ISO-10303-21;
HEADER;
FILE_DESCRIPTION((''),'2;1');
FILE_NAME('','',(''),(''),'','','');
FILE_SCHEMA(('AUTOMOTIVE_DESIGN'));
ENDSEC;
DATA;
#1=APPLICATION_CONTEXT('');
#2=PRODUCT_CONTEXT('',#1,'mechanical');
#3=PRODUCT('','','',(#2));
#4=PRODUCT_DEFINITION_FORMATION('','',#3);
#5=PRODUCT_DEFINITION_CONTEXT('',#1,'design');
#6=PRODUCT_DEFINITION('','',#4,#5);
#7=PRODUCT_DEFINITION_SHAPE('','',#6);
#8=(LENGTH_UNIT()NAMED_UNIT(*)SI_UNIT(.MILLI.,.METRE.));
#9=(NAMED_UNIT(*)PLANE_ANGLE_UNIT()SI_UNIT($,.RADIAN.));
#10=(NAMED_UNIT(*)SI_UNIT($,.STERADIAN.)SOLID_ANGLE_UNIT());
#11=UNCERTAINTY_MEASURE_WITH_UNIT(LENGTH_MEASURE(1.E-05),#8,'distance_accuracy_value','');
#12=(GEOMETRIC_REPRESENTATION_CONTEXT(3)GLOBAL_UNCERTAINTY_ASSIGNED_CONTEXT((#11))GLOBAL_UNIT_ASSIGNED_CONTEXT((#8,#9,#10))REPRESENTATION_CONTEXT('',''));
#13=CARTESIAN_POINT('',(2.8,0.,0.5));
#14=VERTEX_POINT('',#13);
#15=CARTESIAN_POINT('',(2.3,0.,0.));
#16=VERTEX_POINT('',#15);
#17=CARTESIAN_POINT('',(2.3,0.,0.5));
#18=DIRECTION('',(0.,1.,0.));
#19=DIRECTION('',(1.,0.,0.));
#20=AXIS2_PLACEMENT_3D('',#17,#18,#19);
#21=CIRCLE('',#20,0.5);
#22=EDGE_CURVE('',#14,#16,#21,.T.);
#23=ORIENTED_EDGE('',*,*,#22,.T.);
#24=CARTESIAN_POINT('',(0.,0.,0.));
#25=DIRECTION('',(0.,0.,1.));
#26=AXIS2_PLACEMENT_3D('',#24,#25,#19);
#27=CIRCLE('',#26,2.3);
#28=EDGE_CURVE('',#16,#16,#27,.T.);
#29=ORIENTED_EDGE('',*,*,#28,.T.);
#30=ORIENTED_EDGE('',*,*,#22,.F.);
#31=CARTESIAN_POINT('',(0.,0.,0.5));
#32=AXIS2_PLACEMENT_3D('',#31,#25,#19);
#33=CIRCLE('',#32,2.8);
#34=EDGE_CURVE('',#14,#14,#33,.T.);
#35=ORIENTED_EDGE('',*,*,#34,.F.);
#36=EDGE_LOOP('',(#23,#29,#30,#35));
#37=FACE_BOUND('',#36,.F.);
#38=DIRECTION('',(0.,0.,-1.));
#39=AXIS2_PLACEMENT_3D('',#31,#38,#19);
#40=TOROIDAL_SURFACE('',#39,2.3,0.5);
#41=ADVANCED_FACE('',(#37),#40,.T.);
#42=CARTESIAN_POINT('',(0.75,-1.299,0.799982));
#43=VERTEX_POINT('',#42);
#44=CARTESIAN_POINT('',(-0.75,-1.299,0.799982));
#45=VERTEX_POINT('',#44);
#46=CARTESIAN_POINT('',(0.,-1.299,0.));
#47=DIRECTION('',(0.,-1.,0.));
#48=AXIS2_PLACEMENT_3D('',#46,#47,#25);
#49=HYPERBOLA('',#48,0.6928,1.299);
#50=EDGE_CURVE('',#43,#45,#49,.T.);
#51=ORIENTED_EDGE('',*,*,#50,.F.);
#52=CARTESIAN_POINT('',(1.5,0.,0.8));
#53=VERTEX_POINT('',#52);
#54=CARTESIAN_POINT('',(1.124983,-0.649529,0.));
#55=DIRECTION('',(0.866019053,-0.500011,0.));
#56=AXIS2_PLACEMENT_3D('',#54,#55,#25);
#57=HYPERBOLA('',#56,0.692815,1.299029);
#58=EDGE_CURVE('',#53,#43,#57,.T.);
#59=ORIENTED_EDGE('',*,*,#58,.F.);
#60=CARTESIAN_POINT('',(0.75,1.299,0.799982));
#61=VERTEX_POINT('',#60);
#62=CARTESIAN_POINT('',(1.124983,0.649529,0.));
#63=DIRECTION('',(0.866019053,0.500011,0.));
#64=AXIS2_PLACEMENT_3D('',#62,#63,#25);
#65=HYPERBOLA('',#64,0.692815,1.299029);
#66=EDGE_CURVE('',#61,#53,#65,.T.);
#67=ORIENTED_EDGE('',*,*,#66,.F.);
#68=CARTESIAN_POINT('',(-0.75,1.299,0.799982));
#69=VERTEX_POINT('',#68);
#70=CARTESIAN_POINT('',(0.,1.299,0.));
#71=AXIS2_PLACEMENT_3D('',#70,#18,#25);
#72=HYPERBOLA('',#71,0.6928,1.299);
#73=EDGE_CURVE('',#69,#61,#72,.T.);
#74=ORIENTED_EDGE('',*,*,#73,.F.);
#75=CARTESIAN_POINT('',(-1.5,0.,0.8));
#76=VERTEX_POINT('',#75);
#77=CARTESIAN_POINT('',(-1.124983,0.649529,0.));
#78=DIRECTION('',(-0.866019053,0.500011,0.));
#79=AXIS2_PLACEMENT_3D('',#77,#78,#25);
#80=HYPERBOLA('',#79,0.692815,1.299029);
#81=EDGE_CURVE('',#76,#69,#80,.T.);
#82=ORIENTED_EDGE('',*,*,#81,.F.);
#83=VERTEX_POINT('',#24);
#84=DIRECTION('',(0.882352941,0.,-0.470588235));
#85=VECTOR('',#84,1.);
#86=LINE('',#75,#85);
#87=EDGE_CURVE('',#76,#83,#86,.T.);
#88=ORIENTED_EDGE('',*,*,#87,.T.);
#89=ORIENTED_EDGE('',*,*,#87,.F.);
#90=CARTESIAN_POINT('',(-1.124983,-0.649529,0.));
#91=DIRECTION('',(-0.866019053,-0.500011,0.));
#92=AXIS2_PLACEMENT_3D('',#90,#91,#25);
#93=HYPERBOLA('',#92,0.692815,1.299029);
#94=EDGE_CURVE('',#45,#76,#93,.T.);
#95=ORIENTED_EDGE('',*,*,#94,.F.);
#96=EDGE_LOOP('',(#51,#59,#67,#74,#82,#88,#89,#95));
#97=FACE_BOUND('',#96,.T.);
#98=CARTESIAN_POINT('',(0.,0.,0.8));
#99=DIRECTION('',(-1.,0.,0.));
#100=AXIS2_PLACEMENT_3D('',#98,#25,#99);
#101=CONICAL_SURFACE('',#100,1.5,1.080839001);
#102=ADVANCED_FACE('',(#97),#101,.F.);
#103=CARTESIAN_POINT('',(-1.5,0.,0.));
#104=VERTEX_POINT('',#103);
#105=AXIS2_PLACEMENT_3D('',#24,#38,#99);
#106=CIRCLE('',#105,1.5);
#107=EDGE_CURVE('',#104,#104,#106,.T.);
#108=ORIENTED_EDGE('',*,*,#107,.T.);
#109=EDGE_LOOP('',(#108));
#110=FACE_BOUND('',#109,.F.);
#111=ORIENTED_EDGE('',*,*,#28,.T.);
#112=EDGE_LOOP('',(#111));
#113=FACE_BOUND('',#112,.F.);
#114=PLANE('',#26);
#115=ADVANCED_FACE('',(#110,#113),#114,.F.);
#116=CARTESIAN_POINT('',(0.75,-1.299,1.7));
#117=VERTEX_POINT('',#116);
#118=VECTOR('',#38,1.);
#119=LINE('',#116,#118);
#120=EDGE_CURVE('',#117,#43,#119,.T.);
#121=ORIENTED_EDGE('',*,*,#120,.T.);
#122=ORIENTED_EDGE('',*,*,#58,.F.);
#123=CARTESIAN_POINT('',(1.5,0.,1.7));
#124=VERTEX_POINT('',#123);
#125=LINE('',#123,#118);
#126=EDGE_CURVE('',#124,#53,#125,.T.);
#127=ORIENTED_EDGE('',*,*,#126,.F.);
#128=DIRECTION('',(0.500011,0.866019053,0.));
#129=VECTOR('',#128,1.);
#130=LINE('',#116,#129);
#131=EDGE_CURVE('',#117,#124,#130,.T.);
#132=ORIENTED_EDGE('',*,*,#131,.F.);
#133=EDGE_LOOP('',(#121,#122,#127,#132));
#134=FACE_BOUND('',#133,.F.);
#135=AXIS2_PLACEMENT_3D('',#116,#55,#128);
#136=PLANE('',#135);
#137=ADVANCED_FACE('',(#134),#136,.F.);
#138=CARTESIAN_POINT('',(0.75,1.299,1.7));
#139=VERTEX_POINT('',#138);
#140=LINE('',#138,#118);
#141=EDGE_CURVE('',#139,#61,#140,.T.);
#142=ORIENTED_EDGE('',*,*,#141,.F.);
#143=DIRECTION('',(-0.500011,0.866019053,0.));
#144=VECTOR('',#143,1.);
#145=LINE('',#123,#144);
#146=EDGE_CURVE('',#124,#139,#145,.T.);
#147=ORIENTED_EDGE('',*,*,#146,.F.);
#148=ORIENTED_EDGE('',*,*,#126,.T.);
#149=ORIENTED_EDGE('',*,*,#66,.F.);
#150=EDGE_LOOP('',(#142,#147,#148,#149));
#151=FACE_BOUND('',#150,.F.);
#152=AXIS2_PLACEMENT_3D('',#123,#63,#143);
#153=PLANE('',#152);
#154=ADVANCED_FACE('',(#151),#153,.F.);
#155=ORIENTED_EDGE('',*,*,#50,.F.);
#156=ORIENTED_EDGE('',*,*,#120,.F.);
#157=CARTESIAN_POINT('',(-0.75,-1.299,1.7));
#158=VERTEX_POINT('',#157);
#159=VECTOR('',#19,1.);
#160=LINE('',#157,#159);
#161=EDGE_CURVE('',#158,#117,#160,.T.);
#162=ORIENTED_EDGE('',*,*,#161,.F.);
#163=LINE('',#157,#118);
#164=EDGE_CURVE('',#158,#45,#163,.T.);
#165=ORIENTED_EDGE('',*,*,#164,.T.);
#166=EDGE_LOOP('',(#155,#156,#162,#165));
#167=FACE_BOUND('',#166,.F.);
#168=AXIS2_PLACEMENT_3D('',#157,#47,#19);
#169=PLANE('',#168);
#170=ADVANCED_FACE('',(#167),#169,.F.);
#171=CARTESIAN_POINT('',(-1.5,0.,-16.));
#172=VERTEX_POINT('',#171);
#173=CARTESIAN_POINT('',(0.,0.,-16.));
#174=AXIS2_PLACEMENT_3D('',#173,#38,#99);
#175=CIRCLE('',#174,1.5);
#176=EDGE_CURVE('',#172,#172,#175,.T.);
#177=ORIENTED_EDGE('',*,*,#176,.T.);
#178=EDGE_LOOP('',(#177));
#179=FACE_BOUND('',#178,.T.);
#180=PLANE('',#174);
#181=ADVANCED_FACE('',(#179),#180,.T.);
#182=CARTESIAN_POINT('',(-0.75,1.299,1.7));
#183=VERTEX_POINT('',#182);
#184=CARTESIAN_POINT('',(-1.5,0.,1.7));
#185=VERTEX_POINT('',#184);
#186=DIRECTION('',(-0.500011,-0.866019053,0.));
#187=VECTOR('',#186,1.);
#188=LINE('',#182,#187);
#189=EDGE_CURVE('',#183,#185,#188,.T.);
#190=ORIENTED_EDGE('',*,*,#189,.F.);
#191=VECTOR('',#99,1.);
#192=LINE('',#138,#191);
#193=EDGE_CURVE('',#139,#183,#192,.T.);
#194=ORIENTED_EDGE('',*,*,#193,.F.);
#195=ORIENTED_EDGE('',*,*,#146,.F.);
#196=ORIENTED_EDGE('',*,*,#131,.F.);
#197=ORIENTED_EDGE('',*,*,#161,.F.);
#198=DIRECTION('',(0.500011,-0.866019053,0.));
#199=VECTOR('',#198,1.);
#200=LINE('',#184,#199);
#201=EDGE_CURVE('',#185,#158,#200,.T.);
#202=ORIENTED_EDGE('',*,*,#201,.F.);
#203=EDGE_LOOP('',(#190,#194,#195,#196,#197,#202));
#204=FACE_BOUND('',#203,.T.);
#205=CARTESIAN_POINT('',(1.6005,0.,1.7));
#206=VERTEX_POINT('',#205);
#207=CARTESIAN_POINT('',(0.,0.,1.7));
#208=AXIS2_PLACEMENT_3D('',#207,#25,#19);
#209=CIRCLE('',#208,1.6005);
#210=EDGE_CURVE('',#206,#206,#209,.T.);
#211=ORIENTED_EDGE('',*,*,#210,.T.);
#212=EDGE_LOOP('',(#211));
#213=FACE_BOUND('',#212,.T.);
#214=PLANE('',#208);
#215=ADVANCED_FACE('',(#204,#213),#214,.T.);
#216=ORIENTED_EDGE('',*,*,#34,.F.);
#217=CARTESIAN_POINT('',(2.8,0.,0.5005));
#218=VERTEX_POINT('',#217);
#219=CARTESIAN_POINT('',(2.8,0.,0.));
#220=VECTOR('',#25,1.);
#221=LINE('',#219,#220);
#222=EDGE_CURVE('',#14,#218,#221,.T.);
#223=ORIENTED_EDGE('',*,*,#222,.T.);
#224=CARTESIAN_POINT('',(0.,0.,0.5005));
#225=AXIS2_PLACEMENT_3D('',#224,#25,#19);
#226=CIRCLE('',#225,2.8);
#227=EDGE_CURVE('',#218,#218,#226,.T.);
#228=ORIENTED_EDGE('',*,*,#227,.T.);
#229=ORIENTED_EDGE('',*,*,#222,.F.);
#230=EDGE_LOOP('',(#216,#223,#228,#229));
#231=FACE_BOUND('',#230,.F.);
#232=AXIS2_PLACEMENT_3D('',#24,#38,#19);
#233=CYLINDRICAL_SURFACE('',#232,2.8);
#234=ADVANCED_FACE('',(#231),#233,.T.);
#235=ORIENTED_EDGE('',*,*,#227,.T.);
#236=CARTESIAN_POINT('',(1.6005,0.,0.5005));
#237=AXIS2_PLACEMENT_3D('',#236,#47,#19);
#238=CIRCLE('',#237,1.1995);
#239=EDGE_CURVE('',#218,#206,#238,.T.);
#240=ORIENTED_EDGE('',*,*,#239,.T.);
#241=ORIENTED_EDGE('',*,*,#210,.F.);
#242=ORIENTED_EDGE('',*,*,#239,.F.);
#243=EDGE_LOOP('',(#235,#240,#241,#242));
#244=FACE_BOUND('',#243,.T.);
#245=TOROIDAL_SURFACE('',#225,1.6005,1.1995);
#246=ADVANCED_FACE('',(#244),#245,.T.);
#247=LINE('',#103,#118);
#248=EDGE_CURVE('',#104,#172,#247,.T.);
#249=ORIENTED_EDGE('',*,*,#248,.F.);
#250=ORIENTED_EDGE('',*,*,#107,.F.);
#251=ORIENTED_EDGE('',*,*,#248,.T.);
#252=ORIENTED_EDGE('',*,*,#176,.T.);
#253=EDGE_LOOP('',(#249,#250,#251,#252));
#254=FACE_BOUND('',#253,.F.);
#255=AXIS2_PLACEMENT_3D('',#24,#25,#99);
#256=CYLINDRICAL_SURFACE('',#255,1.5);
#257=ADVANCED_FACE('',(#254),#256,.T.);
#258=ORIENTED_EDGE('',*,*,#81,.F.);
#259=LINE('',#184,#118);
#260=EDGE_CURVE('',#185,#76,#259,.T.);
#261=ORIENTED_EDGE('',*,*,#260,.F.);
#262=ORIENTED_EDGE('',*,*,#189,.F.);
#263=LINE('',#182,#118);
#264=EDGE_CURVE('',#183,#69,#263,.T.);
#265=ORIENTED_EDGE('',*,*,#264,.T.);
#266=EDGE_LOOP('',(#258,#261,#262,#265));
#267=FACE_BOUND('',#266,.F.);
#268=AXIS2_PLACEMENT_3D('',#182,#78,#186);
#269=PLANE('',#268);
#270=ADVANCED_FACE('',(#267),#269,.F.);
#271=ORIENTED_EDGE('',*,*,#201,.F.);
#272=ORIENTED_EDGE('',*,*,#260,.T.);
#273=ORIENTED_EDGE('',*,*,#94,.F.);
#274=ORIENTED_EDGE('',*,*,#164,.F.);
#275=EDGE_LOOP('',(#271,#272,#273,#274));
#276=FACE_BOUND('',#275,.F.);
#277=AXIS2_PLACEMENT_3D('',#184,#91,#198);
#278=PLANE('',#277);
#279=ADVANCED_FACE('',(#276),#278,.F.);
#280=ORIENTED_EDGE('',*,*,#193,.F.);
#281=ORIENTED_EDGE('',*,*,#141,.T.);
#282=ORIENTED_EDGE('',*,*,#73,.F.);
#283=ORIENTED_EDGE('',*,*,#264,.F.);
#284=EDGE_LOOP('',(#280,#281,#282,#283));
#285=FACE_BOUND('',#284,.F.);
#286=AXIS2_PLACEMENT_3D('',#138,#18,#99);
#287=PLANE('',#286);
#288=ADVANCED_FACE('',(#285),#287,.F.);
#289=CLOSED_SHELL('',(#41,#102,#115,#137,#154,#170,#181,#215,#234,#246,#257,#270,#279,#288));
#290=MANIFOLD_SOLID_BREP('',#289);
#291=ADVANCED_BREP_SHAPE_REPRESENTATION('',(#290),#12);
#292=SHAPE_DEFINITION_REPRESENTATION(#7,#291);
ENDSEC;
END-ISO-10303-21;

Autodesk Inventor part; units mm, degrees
ref_plane "YZ Plane" through (0, 0, 0) normal (1, 0, 0) x (0, 1, 0)
ref_plane "XZ Plane" through (0, 0, 0) normal (0, 1, 0) x (-1, 0, 0)
ref_plane "XY Plane" through (0, 0, 0) normal (0, 0, 1) x (1, 0, 0)
sketch "Sketch1" plane through (0, 0, 0) normal (0, 0, 1) x (1, 0, 0)
  circle A0 centre (0, 0) radius 2.8
  dimension "d0" = 5.6
extrude "Extrusion1" add sketch "Sketch1" along normal blind 1.7
fillet "Fillet3" radius 0.5 1 edges at (-2.8, 0, 0)
fillet "Fillet4" radius 1.2 1 edges at (-2.8, 0, 1.7)
sketch "Sketch2" plane through (0, 0, 1.7) normal (0, 0, 1) x (1, 0, 0)
  line L0 (-0.75, -1.299) -> (0.75, -1.299)
  line L1 (0.75, -1.299) -> (1.5, 0)
  line L2 (1.5, 0) -> (0.75, 1.299)
  line L3 (0.75, 1.299) -> (-0.75, 1.299)
  line L4 (-0.75, 1.299) -> (-1.5, 0)
  line L5 (-1.5, 0) -> (-0.75, -1.299)
  dimension "d7" = 3
extrude "Extrusion2" cut sketch "Sketch2" against normal blind 1.7
sketch "Sketch3" plane through (0, 0, 0) normal (0, 1, 0) x (-1, 0, 0)
  line L0 (0, 0) -> (1.5, 0)
  line L1 (2.3, 0) -> (-2.3, 0) projected
  line L2 (1.5, 0) -> (1.5, 0.8)
  line L3 (1.5, 0.8) -> (0, 0)
  line L4 (0, 0) -> (0, 2.432)
  dimension "d13" = 0
  dimension "d14" = 1.5
  dimension "d15" = 0.8
revolve "Revolution2" add sketch "Sketch3" angle 360 about axis through (0, 0, 0) along (0, 0, 1)
sketch "Sketch4" plane through (0, 0, 0) normal (0, 0, -1) x (-1, 0, 0)
  circle A0 centre (0, 0) radius 2.3 projected
  circle A1 centre (0, 0) radius 1.5
  dimension "d18" = 3
extrude "Extrusion3" add sketch "Sketch4" along normal blind 16 contours A1
thread "Thread1" size "M3x0.5" class "6g" standard "ANSI Metric M Profile" full length
properties part number "screw_M3_16_hex"
